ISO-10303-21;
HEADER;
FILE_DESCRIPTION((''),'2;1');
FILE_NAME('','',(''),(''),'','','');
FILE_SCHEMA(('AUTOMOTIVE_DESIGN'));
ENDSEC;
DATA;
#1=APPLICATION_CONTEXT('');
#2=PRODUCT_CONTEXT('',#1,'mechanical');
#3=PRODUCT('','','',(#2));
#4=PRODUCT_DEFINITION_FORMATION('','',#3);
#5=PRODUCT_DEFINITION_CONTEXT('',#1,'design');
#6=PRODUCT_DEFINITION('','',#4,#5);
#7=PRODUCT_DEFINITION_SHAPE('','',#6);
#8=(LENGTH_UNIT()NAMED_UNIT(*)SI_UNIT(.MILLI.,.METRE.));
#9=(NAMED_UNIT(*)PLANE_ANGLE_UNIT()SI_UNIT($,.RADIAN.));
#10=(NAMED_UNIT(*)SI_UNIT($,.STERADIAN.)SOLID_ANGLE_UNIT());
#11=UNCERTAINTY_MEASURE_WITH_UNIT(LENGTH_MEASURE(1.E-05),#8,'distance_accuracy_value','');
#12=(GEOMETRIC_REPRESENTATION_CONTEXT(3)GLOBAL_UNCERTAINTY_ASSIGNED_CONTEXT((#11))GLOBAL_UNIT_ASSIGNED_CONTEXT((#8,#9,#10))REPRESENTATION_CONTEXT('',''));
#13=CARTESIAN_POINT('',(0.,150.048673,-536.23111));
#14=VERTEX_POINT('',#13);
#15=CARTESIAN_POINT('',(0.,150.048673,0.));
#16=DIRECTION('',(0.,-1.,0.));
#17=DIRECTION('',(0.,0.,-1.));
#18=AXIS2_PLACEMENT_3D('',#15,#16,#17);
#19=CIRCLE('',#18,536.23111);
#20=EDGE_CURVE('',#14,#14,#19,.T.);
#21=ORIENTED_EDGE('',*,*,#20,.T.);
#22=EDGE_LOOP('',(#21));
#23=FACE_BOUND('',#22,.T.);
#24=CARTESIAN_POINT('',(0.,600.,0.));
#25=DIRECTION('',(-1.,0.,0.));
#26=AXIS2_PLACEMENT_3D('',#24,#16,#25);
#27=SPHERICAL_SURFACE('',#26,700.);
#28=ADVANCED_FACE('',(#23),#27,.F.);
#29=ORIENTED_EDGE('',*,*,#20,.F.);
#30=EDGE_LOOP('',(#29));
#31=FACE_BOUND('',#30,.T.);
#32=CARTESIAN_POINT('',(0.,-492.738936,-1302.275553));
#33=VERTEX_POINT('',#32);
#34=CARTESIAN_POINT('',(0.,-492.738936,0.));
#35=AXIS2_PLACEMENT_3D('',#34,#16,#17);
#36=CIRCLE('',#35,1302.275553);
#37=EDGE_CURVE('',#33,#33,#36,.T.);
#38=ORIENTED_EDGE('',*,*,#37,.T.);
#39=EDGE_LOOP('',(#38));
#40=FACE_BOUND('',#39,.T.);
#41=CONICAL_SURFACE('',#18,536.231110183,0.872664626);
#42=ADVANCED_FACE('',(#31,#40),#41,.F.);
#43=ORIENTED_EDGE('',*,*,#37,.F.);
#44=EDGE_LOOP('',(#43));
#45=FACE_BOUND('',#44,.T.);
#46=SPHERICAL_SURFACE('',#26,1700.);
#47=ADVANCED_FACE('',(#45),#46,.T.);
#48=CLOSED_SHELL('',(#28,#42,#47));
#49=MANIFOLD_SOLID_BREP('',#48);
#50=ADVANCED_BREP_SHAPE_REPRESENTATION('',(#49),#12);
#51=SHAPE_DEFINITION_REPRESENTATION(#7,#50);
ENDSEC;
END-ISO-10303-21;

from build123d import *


with BuildPart() as part:
    # Sketch2 → Revolve1 (revolve)
    with BuildSketch(Plane.XY):
        with BuildLine():
            Line((0, 1300), (0, 2300))
            ThreePointArc((0, 2300), (1540.723237962, 1318.451044959), (1302.275553302, -492.738936467))
            Line((1302.275553302, -492.738936467), (536.231110183, 150.048673219))
            ThreePointArc((536.231110183, 150.048673219), (634.415450926, 895.832783218), (0, 1300))
        make_face()
    revolve(axis=Axis((0, 700, 0), (0, 1, 0)))


solid = part.part
